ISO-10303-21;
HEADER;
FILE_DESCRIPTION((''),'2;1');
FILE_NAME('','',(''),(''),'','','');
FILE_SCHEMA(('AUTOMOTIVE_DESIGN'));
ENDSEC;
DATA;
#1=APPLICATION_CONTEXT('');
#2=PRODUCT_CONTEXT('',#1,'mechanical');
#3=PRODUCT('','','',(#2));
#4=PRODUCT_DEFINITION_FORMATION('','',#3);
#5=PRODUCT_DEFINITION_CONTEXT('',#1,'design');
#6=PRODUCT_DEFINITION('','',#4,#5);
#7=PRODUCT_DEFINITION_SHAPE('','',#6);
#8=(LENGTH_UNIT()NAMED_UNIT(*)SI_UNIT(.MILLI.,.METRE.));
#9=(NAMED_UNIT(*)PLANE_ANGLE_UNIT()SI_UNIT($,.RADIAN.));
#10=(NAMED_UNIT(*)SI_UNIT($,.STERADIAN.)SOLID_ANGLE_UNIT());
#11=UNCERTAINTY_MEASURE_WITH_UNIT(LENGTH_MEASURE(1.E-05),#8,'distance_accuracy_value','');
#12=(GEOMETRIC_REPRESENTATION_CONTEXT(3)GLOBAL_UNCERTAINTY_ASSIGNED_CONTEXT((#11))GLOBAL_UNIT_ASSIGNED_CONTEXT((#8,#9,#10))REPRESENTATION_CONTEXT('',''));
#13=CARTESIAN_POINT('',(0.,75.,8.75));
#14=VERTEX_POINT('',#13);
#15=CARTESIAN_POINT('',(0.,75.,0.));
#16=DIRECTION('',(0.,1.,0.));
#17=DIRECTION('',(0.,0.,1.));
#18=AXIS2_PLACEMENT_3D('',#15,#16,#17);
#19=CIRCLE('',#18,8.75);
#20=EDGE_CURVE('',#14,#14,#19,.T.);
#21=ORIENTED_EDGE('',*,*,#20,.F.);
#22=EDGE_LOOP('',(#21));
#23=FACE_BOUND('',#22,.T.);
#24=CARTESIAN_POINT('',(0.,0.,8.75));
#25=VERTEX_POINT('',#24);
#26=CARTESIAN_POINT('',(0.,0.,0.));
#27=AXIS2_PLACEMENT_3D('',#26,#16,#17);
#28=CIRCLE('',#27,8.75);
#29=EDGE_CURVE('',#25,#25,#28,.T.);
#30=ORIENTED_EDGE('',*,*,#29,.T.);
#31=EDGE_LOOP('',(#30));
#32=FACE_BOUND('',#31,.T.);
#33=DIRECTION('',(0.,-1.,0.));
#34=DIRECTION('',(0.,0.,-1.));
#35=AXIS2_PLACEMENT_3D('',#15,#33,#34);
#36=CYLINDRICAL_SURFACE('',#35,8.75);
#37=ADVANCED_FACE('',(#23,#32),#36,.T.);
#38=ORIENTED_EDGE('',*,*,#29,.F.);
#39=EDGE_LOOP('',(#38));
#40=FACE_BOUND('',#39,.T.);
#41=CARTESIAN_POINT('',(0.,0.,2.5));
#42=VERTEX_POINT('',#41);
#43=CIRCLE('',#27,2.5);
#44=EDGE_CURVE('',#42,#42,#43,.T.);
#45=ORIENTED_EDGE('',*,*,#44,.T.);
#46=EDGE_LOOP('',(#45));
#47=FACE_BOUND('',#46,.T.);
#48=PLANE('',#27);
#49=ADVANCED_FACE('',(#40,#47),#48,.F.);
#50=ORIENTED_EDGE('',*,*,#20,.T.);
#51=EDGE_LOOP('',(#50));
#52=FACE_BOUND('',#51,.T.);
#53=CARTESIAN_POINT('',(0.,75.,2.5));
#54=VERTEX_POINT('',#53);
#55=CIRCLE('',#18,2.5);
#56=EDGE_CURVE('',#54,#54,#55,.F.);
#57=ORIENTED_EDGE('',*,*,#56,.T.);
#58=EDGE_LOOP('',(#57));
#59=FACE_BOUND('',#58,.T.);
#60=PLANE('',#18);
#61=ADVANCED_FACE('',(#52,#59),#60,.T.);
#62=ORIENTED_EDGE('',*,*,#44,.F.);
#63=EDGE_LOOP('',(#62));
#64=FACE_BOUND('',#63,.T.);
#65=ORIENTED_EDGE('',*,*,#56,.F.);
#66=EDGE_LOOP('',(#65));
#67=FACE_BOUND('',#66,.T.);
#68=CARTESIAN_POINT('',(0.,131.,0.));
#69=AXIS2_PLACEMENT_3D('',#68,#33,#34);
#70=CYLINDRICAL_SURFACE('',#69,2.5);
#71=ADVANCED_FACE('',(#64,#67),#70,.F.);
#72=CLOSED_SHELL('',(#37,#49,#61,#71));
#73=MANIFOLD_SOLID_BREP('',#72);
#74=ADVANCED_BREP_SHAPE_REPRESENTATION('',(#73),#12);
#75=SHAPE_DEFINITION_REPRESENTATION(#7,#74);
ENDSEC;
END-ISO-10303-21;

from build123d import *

# Parameters (mm, degrees)
SKETCH1_R           = 8.75
BOSS_EXTRUDE1_DEPTH = 75
SKETCH2_R           = 2.5
CUT_EXTRUDE1_DEPTH  = 131


with BuildPart() as part:
    # Sketch1 → Boss-Extrude1 (new body)
    with BuildSketch(Plane(origin=(0, 0, 0), x_dir=(1, 0, 0), z_dir=(0, 1, 0))):
        with Locations(Location((0, 0, 0), (0, 0, 270))):
            Circle(SKETCH1_R)
    extrude(amount=BOSS_EXTRUDE1_DEPTH)

    # Sketch2 → Cut-Extrude1 (cut)
    with BuildSketch(Plane(origin=(0, 0, 0), x_dir=(1, 0, 0), z_dir=(0, 1, 0))):
        with Locations(Location((0, 0, 0), (0, 0, 270))):
            Circle(SKETCH2_R)
    extrude(amount=CUT_EXTRUDE1_DEPTH, mode=Mode.SUBTRACT)


solid = part.part
